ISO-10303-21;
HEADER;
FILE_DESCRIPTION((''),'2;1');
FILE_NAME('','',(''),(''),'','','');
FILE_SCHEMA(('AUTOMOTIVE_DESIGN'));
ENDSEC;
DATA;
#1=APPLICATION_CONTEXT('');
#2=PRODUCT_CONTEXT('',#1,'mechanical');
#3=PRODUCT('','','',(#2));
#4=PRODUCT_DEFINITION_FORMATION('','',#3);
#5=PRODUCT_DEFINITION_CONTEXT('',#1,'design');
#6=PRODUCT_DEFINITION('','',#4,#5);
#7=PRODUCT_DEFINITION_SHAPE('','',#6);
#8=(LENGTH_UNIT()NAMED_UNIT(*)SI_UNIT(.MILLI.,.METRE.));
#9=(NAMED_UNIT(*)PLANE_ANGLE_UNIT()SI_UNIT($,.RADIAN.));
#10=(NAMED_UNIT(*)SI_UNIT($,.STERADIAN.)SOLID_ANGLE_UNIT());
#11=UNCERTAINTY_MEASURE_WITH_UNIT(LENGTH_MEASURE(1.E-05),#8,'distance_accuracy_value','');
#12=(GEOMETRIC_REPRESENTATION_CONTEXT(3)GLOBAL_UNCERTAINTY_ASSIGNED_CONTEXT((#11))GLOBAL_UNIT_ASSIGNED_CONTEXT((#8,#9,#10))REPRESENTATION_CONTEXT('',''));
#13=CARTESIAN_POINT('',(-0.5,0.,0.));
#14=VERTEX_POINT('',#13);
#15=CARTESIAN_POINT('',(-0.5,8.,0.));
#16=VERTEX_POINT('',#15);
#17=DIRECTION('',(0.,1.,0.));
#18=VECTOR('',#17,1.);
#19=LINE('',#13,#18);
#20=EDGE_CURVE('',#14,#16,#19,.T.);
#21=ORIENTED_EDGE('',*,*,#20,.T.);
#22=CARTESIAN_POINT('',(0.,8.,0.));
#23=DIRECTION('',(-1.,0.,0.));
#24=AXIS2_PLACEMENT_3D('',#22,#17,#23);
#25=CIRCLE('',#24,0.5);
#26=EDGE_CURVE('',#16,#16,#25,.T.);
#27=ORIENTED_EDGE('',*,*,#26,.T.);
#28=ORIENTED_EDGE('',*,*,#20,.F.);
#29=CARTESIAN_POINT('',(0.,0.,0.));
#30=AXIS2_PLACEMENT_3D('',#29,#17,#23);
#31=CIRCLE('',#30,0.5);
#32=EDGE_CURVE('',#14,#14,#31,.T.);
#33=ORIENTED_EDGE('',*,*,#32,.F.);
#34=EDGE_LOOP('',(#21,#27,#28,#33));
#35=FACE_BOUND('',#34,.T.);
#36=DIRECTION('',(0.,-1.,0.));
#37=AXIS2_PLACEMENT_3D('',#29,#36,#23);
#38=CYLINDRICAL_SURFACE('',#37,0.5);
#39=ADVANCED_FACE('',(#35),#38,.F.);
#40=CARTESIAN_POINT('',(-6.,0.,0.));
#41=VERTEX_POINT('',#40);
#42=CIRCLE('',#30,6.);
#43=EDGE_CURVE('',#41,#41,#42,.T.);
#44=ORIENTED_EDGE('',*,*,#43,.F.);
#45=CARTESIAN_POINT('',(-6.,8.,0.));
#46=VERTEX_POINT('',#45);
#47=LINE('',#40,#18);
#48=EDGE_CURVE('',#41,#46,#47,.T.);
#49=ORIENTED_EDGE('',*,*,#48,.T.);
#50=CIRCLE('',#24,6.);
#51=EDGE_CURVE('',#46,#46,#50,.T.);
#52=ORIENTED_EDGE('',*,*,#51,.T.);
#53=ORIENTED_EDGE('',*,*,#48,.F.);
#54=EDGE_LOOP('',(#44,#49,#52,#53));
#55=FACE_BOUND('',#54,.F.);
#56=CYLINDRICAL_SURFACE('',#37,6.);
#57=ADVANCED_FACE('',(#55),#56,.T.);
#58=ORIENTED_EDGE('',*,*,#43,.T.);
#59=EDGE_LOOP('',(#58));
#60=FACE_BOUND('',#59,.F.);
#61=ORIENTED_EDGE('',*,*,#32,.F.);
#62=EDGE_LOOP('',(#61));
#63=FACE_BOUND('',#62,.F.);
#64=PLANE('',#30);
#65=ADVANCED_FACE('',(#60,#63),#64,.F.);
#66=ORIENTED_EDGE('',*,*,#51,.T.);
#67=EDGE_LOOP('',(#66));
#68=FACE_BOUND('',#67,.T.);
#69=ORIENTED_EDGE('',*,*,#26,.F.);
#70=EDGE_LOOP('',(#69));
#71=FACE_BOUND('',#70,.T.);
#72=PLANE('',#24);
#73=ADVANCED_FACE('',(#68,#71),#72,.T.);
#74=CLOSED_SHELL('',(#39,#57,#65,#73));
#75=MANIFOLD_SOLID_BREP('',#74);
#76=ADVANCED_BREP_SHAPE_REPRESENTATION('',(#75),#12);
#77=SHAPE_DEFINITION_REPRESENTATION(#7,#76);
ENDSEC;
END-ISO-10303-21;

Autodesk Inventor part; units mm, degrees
ref_plane "YZ Plane" through (0, 0, 0) normal (1, 0, 0) x (0, 1, 0)
ref_plane "XZ Plane" through (0, 0, 0) normal (0, 1, 0) x (-1, 0, 0)
ref_plane "XY Plane" through (0, 0, 0) normal (0, 0, 1) x (1, 0, 0)
sketch "Esquisse1" plane through (0, 0, 0) normal (0, 1, 0) x (-1, 0, 0)
  circle A0 centre (0, 0) radius 0.5
  circle A1 centre (0, 0) radius 6
  dimension "d0" = 12
  dimension "d1" = 1
extrude "Extrusion1" add sketch "Esquisse1" along normal blind 8
properties part number "tendeur_roue"
